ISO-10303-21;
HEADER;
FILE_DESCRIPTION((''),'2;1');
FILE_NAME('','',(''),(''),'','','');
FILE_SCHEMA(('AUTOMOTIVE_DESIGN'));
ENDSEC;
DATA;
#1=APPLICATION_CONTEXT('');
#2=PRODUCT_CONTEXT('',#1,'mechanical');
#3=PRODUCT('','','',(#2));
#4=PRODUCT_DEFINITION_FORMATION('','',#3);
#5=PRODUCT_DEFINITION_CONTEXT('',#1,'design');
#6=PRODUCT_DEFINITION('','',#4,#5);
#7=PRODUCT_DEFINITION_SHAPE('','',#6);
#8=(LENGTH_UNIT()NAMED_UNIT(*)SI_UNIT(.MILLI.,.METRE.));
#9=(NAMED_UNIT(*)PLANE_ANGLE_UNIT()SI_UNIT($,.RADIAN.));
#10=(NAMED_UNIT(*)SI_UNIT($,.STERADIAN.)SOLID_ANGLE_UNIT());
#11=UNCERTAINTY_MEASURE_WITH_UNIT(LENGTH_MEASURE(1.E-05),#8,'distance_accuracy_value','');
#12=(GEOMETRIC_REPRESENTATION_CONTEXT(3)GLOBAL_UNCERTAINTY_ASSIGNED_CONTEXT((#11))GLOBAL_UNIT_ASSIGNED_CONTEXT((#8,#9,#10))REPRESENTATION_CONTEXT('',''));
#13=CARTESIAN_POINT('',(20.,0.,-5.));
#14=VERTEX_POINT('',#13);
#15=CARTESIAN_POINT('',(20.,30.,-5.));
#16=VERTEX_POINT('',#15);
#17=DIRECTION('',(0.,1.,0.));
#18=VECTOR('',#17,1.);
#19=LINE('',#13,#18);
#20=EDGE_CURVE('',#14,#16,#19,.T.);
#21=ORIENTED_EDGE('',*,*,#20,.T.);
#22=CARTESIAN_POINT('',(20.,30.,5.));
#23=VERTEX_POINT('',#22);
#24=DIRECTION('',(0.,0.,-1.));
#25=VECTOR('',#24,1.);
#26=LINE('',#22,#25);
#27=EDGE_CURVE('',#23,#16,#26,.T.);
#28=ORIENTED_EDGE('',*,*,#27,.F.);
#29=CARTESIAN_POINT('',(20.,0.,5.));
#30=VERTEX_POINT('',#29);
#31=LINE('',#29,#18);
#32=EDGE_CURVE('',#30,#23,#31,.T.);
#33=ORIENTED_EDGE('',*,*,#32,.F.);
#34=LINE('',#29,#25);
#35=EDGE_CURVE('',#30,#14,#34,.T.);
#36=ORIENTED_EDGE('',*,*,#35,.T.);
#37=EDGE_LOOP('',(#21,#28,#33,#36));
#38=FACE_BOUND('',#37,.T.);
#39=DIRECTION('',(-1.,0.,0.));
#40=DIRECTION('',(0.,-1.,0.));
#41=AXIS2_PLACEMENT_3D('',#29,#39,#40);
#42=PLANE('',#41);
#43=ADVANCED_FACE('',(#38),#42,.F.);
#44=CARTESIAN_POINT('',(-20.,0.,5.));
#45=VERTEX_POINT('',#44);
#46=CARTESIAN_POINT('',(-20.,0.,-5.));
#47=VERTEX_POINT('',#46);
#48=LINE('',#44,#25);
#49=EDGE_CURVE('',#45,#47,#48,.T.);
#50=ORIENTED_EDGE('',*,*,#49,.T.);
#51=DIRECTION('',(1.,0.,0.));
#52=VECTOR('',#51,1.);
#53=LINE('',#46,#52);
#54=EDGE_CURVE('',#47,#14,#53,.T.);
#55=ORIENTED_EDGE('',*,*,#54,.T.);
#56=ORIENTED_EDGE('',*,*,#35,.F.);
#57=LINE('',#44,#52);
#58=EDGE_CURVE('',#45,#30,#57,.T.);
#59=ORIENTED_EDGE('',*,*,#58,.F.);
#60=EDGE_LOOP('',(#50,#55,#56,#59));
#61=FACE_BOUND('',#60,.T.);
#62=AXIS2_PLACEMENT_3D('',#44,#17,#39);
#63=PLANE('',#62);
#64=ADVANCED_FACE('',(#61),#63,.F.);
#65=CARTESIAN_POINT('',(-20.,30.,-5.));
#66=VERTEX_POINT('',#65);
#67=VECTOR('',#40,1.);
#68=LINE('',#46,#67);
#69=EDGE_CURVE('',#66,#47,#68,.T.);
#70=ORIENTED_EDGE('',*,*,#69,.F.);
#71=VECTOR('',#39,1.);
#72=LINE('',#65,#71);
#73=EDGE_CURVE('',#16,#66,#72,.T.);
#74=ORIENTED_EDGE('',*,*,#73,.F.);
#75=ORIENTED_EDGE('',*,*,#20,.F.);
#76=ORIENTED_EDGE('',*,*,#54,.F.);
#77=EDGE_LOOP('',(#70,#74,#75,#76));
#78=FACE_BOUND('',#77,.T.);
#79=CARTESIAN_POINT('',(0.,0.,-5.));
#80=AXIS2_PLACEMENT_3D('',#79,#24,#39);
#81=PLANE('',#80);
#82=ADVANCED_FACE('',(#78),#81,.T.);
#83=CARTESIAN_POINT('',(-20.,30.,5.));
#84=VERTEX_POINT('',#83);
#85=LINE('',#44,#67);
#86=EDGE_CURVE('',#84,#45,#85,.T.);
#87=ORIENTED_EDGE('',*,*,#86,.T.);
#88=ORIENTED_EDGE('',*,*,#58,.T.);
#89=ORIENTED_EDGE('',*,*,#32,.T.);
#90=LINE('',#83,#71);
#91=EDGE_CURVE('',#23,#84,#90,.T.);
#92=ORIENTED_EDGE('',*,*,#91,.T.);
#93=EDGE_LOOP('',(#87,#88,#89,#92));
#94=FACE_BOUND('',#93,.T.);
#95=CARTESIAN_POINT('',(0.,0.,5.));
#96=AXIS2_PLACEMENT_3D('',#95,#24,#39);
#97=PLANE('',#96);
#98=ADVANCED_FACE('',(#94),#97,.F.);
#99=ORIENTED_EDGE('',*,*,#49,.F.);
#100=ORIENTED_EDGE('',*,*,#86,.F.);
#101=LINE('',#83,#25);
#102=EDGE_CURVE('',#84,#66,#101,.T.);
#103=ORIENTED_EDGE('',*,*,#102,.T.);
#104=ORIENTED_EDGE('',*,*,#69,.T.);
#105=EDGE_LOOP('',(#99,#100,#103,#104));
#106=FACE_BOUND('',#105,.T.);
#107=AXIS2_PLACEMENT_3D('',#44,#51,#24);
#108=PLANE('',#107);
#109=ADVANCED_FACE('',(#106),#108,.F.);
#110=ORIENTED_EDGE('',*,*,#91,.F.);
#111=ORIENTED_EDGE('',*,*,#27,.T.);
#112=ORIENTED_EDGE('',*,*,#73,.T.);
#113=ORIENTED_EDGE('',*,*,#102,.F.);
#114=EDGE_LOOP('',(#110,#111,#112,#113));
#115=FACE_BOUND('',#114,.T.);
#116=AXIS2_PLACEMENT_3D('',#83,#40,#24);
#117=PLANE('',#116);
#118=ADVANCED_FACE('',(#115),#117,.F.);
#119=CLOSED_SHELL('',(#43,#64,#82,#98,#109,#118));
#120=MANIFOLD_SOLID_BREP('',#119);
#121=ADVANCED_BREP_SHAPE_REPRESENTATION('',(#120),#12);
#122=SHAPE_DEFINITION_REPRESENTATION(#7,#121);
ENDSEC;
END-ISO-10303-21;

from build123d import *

# Parameters (mm, degrees)
SKETCH1_W           = 40
SKETCH1_H           = 30
BOSS_EXTRUDE1_DEPTH = 5


with BuildPart() as part:
    # Sketch1 → Boss-Extrude1 (new body, symmetric)
    with BuildSketch(Plane.XY):
        with Locations((0, 15)):
            Rectangle(SKETCH1_W, SKETCH1_H)
    extrude(amount=BOSS_EXTRUDE1_DEPTH, both=True)


solid = part.part
